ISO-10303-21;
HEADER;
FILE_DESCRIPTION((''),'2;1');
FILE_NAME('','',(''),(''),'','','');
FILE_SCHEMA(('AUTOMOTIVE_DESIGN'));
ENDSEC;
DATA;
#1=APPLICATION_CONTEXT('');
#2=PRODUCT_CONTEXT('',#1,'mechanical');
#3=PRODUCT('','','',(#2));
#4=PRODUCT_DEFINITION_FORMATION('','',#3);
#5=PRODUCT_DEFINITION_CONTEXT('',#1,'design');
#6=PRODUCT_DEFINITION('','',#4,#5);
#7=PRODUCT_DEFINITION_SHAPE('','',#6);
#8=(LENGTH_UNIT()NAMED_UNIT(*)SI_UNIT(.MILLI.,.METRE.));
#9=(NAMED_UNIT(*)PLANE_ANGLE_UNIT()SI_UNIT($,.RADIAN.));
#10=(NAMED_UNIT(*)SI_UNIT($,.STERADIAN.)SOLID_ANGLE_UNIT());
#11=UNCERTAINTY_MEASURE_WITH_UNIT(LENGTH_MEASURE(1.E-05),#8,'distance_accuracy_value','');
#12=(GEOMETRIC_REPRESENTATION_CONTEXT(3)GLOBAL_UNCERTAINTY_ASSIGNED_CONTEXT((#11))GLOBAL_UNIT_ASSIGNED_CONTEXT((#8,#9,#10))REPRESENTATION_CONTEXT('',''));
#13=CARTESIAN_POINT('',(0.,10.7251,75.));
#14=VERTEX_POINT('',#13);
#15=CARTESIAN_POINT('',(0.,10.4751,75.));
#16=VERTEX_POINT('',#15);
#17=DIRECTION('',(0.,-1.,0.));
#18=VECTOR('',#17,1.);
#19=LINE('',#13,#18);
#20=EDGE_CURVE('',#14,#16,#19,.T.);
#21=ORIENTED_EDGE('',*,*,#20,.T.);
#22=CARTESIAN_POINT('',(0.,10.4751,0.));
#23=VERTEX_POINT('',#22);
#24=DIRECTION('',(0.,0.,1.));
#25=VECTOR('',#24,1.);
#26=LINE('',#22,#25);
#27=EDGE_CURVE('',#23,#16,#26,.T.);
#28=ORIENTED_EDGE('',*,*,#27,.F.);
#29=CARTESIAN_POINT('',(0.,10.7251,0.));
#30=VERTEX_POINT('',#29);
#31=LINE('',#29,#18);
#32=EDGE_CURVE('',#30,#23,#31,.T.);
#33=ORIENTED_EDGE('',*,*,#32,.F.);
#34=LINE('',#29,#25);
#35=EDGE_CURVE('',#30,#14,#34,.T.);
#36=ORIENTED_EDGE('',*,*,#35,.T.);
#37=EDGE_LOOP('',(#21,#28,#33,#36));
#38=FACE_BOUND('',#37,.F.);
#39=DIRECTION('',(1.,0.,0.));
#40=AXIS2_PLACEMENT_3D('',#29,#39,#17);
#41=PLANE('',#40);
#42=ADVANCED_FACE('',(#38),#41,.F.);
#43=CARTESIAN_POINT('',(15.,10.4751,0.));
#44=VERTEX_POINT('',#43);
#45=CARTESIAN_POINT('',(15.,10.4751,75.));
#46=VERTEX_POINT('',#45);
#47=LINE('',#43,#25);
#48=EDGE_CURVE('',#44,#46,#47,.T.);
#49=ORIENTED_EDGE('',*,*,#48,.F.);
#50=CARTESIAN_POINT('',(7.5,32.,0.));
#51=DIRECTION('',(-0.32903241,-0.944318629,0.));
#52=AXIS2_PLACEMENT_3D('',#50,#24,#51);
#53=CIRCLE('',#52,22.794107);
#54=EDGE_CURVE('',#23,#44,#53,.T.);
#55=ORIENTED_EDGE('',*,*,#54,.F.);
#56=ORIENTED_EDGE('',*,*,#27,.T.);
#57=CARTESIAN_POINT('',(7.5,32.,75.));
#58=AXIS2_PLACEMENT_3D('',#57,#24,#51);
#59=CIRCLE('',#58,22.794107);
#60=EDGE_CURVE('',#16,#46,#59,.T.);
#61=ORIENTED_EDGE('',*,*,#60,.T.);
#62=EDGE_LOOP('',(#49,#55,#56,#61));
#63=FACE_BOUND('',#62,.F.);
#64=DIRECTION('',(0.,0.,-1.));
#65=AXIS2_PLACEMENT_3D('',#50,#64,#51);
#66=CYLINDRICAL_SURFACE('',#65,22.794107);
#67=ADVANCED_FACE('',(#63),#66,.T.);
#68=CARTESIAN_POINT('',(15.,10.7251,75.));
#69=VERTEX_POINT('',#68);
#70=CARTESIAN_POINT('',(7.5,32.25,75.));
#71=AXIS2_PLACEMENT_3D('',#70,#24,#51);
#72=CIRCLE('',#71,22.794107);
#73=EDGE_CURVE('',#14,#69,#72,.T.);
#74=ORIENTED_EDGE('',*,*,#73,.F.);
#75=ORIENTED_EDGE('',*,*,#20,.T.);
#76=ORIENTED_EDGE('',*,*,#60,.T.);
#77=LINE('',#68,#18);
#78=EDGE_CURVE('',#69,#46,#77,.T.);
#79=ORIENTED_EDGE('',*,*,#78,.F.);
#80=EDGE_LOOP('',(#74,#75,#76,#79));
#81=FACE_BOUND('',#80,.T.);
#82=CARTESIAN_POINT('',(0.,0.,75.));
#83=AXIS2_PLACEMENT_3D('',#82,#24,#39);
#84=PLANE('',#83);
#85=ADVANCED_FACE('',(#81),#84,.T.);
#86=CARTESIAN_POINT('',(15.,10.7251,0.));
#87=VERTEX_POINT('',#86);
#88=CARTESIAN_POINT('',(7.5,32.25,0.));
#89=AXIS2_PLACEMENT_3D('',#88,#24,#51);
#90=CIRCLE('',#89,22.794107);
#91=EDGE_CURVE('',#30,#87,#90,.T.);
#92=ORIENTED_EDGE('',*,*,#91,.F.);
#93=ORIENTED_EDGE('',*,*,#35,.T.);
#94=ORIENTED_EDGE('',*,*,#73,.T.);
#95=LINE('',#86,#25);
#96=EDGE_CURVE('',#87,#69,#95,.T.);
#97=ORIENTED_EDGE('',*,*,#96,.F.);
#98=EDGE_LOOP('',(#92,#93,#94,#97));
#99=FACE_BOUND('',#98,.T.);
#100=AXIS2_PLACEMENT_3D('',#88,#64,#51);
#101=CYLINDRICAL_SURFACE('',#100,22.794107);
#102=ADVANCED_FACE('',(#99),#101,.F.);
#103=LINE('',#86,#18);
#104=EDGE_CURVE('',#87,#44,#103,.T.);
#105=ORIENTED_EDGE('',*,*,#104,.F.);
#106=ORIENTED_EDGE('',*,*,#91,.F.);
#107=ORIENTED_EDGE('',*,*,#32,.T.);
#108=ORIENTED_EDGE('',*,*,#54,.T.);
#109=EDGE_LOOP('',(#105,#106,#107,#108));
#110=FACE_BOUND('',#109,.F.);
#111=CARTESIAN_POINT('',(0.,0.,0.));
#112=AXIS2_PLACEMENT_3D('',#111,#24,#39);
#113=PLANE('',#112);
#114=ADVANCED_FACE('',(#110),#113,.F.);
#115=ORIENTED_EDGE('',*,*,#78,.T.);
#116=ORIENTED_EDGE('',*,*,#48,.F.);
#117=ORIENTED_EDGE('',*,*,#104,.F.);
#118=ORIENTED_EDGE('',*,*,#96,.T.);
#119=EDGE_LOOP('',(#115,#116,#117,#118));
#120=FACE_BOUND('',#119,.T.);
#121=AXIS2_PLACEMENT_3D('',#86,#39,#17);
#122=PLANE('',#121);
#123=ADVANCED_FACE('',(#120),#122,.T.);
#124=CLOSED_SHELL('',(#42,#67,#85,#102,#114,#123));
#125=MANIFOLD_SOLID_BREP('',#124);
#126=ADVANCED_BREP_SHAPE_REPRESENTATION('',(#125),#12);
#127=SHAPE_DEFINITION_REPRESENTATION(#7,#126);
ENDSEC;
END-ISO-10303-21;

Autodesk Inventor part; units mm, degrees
ref_plane "YZ Plane" through (0, 0, 0) normal (1, 0, 0) x (0, 1, 0)
ref_plane "XZ Plane" through (0, 0, 0) normal (0, 1, 0) x (-1, 0, 0)
ref_plane "XY Plane" through (0, 0, 0) normal (0, 0, 1) x (1, 0, 0)
sketch "Sketch2" plane through (0, 0, 0) normal (0, 0, 1) x (1, 0, 0)
  arc A0 (0, 10.7251) -> (15, 10.7251) centre (7.5, 32.25) ccw
  arc A1 (0, 10.4751) -> (15, 10.4751) centre (7.5, 32) ccw
  line L0 (0, 10.7251) -> (0, 10.4751)
  line L1 (15, 10.7251) -> (15, 10.4751)
  point P0 (0, 0)
  dimension "d0" = 15
  dimension "d1" = 15
  dimension "d2" = 0.25
extrude "Extrusion1" add sketch "Sketch2" along normal blind 75
properties part number "Antenna"
